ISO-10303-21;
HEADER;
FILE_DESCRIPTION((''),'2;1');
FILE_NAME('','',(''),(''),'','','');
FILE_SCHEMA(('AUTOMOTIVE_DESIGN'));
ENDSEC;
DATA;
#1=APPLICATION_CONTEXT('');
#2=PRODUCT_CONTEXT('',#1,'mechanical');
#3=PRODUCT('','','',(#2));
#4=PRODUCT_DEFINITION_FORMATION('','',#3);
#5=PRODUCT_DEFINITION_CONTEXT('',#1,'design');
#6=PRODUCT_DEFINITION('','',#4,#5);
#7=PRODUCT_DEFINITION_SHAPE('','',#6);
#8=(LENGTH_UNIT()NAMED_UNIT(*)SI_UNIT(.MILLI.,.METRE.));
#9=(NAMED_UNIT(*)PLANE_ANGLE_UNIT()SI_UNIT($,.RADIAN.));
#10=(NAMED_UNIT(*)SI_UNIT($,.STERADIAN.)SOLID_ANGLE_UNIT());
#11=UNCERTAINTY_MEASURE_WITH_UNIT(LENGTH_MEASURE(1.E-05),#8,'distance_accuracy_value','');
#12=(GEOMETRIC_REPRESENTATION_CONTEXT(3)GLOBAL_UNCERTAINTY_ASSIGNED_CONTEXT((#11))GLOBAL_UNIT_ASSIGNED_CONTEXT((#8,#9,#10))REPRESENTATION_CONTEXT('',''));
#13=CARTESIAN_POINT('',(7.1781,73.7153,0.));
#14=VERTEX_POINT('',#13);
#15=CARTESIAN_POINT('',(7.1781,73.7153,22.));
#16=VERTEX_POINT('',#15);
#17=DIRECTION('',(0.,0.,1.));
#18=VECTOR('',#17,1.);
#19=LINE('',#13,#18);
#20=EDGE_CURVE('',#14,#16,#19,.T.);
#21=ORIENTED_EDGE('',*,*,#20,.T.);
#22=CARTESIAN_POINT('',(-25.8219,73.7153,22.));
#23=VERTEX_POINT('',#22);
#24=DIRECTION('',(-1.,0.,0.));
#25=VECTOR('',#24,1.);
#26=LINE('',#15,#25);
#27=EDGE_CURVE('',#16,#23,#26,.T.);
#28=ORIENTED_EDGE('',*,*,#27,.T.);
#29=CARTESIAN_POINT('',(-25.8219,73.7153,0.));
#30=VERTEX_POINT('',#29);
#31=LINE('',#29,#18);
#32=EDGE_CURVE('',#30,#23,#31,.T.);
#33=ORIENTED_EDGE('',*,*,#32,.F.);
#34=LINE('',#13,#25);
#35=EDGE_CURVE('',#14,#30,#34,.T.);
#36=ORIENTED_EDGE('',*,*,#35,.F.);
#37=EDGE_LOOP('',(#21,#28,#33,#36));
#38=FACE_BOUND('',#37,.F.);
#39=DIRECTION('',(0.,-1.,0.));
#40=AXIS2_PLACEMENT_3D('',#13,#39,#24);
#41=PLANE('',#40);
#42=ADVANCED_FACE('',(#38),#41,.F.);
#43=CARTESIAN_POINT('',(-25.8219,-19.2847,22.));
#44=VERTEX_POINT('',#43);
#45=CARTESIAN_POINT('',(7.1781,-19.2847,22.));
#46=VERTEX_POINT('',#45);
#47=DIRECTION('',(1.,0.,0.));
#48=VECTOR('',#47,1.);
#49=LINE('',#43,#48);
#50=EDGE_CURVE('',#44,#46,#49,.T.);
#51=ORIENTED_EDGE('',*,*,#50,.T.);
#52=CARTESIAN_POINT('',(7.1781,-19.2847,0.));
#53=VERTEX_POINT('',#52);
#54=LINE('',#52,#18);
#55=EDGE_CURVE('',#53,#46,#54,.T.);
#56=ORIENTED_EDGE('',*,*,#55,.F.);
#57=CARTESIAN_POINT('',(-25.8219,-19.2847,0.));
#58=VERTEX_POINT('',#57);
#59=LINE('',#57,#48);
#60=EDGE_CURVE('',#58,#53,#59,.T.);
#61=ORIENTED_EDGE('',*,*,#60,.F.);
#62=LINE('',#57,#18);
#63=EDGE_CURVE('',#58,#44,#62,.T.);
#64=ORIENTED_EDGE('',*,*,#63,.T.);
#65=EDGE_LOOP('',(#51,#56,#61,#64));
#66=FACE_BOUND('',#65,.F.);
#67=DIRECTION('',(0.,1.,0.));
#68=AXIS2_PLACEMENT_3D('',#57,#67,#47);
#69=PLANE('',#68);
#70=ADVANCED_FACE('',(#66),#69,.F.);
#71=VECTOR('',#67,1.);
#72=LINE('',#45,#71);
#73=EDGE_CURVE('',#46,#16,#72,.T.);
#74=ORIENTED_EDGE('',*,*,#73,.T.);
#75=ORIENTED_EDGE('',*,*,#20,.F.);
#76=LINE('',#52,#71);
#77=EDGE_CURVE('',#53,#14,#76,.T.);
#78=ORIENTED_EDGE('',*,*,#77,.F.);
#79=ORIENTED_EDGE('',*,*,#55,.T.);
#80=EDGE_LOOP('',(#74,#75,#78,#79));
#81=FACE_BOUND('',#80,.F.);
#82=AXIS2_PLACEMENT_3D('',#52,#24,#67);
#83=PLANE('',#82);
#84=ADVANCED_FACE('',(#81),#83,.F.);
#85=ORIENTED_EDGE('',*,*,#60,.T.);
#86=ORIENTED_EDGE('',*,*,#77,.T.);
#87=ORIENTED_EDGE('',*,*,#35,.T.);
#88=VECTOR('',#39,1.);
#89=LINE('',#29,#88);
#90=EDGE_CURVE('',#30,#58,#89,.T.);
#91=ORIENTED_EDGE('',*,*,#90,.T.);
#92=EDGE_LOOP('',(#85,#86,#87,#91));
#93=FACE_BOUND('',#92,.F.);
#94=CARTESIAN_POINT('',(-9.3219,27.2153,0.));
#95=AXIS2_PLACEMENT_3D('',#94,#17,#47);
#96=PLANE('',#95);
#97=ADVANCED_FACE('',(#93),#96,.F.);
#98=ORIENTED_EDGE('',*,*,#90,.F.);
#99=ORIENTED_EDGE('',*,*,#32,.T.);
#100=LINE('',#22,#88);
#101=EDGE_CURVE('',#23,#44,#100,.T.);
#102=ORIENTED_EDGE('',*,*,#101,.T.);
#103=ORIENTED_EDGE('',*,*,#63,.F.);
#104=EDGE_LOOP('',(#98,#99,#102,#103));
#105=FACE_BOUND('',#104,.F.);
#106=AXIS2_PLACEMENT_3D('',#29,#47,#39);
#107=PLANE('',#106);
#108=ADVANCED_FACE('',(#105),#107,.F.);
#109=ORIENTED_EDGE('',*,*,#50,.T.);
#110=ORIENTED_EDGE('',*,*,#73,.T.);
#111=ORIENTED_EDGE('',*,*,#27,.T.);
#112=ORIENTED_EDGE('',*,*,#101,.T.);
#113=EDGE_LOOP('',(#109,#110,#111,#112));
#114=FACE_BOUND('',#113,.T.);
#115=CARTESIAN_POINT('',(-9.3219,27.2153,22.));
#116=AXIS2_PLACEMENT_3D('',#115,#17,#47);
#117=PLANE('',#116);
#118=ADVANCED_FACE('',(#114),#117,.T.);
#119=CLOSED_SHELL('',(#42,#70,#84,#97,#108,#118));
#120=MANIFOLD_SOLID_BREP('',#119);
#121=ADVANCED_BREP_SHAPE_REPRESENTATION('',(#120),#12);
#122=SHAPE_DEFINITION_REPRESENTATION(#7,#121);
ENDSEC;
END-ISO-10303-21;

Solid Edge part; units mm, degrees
sketch "Sketch1" plane through (0, 0, 0) normal (0, 0, 1) x (1, 0, 0)
  line L0 (-25.8219, 73.7153) -> (-25.8219, -19.2847)
  line L1 (-25.8219, -19.2847) -> (7.1781, -19.2847)
  line L2 (7.1781, -19.2847) -> (7.1781, 73.7153)
  line L3 (7.1781, 73.7153) -> (-25.8219, 73.7153)
extrude "Protrusion1" add sketch "Sketch1" along normal blind 22
properties material "Bateria"
